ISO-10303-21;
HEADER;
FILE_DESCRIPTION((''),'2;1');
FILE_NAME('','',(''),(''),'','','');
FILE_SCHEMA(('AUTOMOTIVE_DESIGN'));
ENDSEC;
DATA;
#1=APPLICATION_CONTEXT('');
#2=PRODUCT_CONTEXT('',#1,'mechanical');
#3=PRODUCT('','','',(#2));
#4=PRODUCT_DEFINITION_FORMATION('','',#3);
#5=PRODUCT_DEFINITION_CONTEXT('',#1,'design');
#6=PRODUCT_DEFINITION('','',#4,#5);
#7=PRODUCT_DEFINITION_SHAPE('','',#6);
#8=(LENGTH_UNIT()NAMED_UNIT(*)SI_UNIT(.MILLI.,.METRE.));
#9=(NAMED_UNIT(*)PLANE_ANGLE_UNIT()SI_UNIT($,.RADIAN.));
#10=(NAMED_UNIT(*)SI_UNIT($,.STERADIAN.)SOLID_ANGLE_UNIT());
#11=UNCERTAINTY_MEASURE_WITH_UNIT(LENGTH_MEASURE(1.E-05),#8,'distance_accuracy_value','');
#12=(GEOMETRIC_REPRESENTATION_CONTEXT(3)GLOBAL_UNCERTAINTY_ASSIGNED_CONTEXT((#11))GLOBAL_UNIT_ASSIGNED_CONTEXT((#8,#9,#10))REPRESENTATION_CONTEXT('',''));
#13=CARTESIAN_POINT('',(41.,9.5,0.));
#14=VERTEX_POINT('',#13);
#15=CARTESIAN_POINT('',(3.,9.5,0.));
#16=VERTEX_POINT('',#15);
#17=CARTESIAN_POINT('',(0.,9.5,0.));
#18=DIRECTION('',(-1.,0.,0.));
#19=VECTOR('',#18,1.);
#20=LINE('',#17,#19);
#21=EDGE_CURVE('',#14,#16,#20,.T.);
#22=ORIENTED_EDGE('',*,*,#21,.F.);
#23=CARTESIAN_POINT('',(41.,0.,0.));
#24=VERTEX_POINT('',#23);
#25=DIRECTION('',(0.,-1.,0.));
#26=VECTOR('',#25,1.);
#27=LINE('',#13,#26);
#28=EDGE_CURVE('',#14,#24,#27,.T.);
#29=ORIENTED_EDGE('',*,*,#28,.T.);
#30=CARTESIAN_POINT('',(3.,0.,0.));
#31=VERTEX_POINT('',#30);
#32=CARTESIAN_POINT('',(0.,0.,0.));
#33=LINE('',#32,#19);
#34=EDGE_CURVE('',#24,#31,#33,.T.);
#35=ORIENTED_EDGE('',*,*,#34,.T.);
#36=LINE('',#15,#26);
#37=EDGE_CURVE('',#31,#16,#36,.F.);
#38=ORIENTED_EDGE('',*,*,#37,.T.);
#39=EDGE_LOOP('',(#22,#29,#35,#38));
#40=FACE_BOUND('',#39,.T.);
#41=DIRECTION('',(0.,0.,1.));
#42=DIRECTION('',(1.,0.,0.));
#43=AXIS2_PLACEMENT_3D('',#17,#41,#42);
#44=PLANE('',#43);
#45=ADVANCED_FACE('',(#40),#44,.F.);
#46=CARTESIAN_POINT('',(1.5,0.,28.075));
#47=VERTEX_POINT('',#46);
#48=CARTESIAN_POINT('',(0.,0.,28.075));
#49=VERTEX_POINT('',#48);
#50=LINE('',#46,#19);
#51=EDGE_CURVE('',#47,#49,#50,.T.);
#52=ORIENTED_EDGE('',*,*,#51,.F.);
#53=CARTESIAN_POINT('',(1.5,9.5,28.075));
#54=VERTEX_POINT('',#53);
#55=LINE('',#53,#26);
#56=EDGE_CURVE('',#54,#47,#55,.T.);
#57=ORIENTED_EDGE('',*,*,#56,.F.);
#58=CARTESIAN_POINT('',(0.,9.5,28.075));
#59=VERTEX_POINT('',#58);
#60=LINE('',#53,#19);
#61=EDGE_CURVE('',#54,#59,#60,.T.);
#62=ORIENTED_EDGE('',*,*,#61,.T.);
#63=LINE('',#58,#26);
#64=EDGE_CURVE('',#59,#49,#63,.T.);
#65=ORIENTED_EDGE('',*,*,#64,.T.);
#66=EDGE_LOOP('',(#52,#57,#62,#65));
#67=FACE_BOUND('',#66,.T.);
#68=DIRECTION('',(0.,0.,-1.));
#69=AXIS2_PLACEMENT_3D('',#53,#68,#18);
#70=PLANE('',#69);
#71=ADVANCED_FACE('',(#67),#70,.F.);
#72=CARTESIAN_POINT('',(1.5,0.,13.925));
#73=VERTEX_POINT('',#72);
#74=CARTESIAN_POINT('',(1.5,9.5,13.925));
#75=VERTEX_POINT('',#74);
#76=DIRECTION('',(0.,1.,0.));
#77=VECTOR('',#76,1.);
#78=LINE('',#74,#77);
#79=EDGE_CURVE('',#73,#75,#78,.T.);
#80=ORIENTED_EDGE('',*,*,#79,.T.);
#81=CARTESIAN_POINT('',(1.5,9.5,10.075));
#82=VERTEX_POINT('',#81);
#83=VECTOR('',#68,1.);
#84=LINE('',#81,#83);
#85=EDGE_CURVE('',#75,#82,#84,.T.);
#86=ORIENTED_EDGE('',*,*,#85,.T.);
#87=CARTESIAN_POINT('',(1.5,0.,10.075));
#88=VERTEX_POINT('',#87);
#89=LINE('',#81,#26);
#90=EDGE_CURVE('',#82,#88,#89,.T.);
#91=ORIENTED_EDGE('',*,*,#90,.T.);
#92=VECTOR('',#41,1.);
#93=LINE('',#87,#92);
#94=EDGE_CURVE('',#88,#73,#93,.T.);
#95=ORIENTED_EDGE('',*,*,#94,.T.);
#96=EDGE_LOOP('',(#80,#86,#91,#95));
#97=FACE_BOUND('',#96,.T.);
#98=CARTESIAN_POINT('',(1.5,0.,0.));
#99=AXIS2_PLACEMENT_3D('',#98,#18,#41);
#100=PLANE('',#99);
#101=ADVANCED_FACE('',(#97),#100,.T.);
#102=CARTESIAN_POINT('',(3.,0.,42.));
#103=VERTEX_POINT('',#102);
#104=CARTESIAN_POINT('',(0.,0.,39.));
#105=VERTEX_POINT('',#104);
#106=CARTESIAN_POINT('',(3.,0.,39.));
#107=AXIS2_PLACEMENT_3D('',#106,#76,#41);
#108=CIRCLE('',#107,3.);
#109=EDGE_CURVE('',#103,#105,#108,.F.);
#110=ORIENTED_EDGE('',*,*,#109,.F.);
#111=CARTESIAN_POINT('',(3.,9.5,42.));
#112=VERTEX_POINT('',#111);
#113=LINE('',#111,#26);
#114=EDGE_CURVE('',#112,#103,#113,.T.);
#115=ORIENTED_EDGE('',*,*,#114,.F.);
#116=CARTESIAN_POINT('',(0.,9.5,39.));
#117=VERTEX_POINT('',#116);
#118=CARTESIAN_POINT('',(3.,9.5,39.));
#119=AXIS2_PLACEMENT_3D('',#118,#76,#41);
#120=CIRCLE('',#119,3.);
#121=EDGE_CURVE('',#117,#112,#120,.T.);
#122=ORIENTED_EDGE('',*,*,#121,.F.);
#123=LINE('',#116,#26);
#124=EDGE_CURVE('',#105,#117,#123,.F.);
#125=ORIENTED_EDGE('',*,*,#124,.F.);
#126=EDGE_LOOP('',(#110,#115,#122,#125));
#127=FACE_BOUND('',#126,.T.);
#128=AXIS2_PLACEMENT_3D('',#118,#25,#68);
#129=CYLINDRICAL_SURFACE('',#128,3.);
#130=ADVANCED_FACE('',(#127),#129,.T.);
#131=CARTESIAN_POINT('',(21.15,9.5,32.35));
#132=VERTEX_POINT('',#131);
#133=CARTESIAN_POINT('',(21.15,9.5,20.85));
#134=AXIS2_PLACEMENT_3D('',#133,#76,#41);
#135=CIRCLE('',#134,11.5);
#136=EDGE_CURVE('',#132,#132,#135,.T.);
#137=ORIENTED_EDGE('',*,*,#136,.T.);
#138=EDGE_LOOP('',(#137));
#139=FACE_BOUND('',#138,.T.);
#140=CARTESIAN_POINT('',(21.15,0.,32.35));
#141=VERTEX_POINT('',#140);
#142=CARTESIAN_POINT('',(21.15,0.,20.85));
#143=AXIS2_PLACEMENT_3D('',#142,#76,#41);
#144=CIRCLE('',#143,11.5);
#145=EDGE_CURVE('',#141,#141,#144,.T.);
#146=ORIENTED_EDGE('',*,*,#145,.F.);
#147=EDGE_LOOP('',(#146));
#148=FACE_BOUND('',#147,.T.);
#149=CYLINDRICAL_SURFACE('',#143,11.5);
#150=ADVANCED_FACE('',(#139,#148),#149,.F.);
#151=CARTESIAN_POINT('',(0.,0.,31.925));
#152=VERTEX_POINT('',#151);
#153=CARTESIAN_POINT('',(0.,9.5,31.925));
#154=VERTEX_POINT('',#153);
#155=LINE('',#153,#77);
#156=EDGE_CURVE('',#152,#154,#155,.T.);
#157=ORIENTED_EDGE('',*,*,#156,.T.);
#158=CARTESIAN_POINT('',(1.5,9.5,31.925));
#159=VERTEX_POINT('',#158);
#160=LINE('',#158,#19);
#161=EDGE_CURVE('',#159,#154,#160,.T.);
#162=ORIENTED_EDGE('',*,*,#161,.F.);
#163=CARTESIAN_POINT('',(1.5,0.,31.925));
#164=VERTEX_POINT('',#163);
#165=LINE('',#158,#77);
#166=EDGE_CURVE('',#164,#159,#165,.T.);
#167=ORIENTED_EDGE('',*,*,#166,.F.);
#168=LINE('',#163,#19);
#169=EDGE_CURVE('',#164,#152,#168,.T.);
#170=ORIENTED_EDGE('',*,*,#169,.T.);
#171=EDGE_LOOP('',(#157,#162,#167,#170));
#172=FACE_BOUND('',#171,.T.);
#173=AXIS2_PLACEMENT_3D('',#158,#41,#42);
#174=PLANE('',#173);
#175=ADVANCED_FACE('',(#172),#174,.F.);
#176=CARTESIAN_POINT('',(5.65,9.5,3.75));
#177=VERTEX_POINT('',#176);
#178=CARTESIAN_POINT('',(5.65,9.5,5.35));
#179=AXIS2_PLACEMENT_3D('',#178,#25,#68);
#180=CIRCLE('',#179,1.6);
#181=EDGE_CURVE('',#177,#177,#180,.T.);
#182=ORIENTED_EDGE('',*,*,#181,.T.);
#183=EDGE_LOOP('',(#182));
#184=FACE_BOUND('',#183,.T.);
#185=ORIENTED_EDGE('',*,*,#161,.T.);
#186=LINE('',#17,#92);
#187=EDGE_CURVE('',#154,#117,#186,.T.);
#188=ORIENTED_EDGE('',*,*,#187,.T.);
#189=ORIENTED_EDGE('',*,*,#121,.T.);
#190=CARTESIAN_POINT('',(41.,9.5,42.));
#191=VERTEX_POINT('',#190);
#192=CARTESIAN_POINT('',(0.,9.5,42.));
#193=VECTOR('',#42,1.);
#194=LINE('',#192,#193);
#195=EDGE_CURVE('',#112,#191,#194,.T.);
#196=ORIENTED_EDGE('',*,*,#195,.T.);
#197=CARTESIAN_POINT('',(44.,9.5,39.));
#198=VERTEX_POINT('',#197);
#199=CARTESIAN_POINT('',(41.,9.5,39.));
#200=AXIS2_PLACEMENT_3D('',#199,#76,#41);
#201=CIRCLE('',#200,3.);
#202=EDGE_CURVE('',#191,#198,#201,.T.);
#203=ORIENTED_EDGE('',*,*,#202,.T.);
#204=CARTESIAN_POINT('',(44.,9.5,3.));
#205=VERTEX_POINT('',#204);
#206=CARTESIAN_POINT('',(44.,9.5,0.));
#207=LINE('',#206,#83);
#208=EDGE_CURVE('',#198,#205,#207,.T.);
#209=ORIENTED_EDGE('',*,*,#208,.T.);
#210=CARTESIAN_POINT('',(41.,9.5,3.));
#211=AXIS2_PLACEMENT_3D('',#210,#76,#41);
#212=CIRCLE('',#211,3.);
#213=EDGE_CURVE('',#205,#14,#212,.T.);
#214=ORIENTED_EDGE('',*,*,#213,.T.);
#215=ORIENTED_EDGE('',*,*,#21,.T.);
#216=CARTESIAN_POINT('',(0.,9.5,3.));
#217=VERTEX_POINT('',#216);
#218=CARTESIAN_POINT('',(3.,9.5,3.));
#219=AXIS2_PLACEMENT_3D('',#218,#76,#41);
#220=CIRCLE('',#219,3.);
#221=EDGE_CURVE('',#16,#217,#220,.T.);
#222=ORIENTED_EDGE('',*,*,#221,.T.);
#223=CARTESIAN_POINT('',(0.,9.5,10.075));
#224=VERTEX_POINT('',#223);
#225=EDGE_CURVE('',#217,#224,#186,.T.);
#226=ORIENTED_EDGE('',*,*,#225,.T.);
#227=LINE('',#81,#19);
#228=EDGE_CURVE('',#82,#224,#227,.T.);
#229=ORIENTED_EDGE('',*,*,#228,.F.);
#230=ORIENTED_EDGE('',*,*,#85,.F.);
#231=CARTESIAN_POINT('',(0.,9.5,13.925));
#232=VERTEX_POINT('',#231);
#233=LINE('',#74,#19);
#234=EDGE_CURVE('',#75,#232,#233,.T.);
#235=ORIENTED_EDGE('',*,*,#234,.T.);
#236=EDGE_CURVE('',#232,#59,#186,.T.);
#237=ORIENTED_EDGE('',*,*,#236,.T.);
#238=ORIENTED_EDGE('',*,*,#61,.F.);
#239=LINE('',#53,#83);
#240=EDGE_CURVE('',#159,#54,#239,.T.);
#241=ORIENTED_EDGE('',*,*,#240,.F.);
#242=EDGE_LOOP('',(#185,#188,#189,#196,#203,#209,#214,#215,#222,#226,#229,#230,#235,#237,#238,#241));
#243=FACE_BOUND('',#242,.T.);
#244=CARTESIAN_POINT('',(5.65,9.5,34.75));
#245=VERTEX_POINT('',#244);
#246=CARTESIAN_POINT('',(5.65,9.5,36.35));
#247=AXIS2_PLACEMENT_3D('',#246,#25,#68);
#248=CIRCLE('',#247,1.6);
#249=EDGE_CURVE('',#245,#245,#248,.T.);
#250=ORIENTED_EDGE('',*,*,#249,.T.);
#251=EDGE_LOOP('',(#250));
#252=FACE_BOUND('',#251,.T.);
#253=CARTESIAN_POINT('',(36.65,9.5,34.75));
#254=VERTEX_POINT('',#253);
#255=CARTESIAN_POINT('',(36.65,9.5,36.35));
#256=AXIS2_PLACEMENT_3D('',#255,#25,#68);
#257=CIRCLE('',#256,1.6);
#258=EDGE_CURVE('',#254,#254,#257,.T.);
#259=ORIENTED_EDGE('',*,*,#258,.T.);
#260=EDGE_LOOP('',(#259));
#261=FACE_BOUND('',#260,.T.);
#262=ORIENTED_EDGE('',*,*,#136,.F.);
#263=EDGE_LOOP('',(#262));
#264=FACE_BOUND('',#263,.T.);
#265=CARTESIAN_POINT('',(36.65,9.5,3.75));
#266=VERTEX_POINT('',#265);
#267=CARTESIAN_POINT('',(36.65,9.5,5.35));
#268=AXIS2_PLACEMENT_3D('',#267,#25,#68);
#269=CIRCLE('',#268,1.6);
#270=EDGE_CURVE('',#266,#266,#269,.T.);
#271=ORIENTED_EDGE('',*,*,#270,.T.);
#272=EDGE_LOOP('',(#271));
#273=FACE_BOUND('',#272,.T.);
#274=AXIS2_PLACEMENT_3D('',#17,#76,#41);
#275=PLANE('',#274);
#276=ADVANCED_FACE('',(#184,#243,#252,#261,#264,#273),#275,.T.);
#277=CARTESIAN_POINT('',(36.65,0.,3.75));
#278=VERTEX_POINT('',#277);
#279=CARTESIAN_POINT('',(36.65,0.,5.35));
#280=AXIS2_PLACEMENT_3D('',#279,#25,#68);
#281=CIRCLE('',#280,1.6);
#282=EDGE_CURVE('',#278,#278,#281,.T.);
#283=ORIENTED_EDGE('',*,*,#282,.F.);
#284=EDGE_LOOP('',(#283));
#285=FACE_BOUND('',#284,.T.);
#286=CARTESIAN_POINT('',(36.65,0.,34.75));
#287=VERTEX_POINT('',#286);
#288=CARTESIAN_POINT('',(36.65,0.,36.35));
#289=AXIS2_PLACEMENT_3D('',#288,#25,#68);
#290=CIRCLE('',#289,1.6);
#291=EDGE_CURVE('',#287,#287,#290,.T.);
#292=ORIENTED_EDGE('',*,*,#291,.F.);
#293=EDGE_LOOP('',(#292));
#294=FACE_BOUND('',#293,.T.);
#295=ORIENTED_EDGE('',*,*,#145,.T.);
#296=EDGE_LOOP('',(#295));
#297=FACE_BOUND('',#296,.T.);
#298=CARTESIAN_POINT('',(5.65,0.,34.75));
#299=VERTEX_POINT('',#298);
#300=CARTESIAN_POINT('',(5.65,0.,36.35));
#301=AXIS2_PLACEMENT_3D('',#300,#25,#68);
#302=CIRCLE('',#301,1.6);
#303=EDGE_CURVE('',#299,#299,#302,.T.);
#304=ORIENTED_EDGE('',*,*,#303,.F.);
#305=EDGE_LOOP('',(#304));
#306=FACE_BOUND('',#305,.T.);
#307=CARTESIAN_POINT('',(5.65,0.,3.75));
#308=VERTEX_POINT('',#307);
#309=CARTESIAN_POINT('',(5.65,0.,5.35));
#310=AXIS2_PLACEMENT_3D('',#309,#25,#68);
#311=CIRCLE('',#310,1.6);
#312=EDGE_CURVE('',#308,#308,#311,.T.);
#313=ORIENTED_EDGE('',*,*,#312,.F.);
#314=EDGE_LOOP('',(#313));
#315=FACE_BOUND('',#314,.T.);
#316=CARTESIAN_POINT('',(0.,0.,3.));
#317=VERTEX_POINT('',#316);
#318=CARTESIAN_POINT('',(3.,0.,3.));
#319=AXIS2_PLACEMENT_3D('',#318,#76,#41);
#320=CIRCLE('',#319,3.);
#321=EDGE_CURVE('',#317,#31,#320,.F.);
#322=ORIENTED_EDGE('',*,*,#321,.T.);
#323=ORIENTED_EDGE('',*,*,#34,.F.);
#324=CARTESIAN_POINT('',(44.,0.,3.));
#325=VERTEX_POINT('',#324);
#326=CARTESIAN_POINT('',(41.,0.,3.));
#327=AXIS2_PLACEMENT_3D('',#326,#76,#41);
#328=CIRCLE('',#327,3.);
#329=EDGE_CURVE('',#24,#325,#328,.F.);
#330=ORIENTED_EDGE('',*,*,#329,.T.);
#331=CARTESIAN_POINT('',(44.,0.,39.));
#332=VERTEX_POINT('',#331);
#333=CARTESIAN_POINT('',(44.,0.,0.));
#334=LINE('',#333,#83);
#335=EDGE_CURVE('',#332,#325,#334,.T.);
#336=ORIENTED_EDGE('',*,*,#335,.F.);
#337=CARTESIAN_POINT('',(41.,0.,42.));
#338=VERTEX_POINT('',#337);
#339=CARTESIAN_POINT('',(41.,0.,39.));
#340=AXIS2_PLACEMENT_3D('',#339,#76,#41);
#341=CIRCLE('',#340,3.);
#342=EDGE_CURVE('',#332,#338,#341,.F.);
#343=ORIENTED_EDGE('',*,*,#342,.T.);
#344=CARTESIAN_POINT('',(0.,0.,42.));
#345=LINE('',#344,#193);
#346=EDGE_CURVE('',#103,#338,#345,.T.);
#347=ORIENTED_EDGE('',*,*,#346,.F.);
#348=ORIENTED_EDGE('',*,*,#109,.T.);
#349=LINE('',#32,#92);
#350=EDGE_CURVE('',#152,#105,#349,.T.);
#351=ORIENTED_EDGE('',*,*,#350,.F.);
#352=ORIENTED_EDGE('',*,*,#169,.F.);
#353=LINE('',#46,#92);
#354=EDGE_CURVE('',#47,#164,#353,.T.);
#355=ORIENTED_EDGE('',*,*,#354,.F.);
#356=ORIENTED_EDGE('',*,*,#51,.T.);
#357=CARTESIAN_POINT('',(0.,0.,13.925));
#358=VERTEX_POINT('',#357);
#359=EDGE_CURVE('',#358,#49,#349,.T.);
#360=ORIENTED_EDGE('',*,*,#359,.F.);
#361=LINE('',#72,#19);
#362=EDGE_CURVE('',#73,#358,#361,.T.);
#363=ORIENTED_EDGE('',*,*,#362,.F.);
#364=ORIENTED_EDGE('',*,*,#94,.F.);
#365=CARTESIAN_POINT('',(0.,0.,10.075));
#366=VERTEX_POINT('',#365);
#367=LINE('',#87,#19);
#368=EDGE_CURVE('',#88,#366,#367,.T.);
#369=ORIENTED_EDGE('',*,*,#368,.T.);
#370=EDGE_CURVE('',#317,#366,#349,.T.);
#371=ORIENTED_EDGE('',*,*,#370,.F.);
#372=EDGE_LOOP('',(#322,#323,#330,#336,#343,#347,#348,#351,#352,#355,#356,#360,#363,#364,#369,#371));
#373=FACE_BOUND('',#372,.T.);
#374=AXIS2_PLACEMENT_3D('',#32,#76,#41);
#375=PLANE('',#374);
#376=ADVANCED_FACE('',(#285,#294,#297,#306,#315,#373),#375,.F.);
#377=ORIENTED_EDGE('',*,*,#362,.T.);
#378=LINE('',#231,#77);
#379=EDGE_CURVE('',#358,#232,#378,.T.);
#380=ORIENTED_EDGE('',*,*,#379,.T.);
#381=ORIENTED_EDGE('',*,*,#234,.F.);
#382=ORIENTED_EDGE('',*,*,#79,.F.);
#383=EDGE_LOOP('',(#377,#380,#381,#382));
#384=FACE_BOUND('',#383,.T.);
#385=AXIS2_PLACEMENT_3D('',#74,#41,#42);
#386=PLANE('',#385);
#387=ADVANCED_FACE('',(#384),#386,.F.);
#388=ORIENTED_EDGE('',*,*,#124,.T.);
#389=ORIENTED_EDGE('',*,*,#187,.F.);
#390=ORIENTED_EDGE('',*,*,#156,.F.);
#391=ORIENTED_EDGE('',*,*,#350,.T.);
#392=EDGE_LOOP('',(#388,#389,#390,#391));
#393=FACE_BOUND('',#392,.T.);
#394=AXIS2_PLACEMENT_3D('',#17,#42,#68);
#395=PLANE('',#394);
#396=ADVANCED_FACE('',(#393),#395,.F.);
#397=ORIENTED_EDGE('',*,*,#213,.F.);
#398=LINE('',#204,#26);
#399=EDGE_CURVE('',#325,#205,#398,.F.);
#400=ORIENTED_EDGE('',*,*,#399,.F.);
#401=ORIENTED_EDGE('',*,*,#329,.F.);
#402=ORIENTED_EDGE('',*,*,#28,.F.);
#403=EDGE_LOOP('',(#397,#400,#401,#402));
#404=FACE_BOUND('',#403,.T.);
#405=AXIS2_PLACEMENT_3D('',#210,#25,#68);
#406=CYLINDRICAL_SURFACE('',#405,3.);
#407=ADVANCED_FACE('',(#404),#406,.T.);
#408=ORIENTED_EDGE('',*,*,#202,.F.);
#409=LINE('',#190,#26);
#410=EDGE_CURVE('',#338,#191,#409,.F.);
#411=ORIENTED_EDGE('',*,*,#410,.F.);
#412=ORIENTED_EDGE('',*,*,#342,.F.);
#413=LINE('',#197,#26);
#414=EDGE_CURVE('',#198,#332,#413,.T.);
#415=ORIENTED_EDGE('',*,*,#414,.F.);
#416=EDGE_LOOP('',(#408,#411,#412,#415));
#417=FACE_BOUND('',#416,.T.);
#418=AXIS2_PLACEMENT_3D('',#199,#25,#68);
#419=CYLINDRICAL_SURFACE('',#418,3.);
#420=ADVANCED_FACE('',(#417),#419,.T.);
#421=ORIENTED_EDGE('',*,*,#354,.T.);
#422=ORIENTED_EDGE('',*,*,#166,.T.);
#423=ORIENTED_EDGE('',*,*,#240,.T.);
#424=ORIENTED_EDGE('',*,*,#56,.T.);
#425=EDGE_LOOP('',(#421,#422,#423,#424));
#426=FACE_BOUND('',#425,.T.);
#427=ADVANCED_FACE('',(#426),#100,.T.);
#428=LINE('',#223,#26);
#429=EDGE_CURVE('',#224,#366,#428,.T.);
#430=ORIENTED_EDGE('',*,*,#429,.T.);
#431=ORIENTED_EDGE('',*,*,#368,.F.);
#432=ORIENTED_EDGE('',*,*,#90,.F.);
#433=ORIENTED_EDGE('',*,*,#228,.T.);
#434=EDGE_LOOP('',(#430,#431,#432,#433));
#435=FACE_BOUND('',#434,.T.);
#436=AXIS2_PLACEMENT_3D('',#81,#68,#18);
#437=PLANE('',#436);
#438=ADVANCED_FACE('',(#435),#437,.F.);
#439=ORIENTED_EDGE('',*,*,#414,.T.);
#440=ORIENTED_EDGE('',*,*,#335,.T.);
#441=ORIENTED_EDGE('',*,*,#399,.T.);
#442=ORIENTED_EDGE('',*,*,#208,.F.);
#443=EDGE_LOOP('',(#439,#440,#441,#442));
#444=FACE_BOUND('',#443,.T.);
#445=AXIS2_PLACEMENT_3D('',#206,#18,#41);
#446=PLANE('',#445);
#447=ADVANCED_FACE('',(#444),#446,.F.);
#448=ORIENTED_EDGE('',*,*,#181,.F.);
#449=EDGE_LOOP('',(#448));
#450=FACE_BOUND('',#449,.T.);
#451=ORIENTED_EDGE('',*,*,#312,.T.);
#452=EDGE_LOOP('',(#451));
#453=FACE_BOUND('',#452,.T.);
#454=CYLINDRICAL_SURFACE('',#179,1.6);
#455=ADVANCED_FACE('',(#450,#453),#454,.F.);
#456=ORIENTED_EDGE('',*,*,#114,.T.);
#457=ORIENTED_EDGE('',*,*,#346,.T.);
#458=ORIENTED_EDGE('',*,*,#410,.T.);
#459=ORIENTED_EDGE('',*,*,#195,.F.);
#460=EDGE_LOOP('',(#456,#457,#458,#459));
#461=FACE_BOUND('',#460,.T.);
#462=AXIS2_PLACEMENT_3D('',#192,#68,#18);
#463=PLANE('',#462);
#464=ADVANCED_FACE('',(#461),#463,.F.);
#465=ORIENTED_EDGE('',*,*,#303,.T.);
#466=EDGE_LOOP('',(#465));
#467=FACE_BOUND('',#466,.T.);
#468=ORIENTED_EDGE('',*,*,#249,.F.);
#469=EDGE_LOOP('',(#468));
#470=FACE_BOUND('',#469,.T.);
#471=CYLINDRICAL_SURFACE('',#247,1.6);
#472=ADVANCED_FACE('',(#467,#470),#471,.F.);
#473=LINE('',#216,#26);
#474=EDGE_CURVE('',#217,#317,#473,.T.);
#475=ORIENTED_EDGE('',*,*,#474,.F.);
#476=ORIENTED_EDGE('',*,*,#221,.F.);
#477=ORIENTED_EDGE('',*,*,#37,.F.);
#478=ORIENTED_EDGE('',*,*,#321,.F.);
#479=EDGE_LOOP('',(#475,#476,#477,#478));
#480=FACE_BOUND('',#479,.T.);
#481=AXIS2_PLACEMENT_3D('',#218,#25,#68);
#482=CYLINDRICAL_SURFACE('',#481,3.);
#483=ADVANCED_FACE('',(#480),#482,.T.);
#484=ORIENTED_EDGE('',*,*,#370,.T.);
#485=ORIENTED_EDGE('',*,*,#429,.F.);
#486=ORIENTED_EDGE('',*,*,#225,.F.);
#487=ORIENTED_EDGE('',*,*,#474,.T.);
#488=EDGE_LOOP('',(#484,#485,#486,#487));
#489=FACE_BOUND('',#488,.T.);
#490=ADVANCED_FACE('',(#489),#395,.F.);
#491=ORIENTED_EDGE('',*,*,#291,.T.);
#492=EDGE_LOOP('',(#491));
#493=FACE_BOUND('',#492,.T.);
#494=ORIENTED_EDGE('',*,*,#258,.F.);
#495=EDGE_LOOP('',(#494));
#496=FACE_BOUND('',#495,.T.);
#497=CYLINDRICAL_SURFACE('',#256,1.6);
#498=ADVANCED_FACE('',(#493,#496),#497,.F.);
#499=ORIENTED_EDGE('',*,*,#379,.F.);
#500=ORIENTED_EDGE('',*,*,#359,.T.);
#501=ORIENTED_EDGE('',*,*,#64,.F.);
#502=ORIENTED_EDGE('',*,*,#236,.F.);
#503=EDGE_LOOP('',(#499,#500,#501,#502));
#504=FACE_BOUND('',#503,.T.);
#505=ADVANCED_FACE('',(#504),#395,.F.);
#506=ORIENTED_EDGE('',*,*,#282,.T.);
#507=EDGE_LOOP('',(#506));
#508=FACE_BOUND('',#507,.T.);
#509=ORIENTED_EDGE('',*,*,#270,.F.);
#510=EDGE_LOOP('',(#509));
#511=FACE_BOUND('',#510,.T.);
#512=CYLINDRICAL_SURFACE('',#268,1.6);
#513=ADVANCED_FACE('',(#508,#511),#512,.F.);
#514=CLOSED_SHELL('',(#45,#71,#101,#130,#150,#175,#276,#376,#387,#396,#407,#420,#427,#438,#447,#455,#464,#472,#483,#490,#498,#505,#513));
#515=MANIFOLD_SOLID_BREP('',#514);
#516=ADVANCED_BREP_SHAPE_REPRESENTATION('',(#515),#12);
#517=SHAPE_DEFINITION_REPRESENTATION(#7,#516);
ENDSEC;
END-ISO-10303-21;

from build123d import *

# Parameters (mm, degrees)
SKETCH_1_W          = 44
SKETCH_1_H          = 42
EXTRUDE_1_DEPTH     = 9.5
SKETCH_2_R          = 11.5
CUT_EXTRUDE_1_DEPTH = 62.565006294
FILLET_1_R          = 3
SKETCH_5_R          = 1.6
CUT_EXTRUDE_2_DEPTH = 62.565006294
SKETCH_8_W          = 3.85
SKETCH_8_H          = 9.5
CUT_EXTRUDE_3_DEPTH = 1.5


with BuildPart() as part:
    # 草图1 → 凸台-拉伸1 (new body)
    with BuildSketch(Plane(origin=(0, 0, 0), x_dir=(1, 0, 0), z_dir=(0, 1, 0))):
        with Locations((22, -21)):
            Rectangle(SKETCH_1_W, SKETCH_1_H)
    extrude(amount=EXTRUDE_1_DEPTH)

    # 草图2 → 切除-拉伸1 (cut, through all)
    with BuildSketch(Plane(origin=(0, 9.5, 0), x_dir=(1, 0, 0), z_dir=(0, 1, 0))):
        with Locations(Location((21.15, -20.85, 0), (0, 0, 270))):
            Circle(SKETCH_2_R)
    extrude(amount=-CUT_EXTRUDE_1_DEPTH, mode=Mode.SUBTRACT)

    # 圆角1
    fillet_1_edges = [part.edges().sort_by_distance(p)[0] for p in [
        (0, 4.75, 0),
        (44, 4.75, 0),
        (44, 4.75, 42),
        (0, 4.75, 42),
    ]]
    fillet(fillet_1_edges, radius=FILLET_1_R)

    # 草图5 → 切除-拉伸2 (cut, through all)
    with BuildSketch(Plane.XZ):
        with Locations(Location((36.65, 36.35, 0), (0, 0, 270))):
            Circle(SKETCH_5_R)
        with Locations(Location((5.65, 36.35, 0), (0, 0, 270))):
            Circle(SKETCH_5_R)
        with Locations(Location((5.65, 5.35, 0), (0, 0, 270))):
            Circle(SKETCH_5_R)
        with Locations(Location((36.65, 5.35, 0), (0, 0, 270))):
            Circle(SKETCH_5_R)
    extrude(amount=-CUT_EXTRUDE_2_DEPTH, mode=Mode.SUBTRACT)

    # 草图8 → 切除-拉伸3 (cut)
    with BuildSketch(Plane.ZY):
        with Locations((12, 4.75)):
            Rectangle(SKETCH_8_W, SKETCH_8_H)
        with Locations((30, 4.75)):
            Rectangle(SKETCH_8_W, SKETCH_8_H)
    extrude(amount=-CUT_EXTRUDE_3_DEPTH, mode=Mode.SUBTRACT)


solid = part.part
